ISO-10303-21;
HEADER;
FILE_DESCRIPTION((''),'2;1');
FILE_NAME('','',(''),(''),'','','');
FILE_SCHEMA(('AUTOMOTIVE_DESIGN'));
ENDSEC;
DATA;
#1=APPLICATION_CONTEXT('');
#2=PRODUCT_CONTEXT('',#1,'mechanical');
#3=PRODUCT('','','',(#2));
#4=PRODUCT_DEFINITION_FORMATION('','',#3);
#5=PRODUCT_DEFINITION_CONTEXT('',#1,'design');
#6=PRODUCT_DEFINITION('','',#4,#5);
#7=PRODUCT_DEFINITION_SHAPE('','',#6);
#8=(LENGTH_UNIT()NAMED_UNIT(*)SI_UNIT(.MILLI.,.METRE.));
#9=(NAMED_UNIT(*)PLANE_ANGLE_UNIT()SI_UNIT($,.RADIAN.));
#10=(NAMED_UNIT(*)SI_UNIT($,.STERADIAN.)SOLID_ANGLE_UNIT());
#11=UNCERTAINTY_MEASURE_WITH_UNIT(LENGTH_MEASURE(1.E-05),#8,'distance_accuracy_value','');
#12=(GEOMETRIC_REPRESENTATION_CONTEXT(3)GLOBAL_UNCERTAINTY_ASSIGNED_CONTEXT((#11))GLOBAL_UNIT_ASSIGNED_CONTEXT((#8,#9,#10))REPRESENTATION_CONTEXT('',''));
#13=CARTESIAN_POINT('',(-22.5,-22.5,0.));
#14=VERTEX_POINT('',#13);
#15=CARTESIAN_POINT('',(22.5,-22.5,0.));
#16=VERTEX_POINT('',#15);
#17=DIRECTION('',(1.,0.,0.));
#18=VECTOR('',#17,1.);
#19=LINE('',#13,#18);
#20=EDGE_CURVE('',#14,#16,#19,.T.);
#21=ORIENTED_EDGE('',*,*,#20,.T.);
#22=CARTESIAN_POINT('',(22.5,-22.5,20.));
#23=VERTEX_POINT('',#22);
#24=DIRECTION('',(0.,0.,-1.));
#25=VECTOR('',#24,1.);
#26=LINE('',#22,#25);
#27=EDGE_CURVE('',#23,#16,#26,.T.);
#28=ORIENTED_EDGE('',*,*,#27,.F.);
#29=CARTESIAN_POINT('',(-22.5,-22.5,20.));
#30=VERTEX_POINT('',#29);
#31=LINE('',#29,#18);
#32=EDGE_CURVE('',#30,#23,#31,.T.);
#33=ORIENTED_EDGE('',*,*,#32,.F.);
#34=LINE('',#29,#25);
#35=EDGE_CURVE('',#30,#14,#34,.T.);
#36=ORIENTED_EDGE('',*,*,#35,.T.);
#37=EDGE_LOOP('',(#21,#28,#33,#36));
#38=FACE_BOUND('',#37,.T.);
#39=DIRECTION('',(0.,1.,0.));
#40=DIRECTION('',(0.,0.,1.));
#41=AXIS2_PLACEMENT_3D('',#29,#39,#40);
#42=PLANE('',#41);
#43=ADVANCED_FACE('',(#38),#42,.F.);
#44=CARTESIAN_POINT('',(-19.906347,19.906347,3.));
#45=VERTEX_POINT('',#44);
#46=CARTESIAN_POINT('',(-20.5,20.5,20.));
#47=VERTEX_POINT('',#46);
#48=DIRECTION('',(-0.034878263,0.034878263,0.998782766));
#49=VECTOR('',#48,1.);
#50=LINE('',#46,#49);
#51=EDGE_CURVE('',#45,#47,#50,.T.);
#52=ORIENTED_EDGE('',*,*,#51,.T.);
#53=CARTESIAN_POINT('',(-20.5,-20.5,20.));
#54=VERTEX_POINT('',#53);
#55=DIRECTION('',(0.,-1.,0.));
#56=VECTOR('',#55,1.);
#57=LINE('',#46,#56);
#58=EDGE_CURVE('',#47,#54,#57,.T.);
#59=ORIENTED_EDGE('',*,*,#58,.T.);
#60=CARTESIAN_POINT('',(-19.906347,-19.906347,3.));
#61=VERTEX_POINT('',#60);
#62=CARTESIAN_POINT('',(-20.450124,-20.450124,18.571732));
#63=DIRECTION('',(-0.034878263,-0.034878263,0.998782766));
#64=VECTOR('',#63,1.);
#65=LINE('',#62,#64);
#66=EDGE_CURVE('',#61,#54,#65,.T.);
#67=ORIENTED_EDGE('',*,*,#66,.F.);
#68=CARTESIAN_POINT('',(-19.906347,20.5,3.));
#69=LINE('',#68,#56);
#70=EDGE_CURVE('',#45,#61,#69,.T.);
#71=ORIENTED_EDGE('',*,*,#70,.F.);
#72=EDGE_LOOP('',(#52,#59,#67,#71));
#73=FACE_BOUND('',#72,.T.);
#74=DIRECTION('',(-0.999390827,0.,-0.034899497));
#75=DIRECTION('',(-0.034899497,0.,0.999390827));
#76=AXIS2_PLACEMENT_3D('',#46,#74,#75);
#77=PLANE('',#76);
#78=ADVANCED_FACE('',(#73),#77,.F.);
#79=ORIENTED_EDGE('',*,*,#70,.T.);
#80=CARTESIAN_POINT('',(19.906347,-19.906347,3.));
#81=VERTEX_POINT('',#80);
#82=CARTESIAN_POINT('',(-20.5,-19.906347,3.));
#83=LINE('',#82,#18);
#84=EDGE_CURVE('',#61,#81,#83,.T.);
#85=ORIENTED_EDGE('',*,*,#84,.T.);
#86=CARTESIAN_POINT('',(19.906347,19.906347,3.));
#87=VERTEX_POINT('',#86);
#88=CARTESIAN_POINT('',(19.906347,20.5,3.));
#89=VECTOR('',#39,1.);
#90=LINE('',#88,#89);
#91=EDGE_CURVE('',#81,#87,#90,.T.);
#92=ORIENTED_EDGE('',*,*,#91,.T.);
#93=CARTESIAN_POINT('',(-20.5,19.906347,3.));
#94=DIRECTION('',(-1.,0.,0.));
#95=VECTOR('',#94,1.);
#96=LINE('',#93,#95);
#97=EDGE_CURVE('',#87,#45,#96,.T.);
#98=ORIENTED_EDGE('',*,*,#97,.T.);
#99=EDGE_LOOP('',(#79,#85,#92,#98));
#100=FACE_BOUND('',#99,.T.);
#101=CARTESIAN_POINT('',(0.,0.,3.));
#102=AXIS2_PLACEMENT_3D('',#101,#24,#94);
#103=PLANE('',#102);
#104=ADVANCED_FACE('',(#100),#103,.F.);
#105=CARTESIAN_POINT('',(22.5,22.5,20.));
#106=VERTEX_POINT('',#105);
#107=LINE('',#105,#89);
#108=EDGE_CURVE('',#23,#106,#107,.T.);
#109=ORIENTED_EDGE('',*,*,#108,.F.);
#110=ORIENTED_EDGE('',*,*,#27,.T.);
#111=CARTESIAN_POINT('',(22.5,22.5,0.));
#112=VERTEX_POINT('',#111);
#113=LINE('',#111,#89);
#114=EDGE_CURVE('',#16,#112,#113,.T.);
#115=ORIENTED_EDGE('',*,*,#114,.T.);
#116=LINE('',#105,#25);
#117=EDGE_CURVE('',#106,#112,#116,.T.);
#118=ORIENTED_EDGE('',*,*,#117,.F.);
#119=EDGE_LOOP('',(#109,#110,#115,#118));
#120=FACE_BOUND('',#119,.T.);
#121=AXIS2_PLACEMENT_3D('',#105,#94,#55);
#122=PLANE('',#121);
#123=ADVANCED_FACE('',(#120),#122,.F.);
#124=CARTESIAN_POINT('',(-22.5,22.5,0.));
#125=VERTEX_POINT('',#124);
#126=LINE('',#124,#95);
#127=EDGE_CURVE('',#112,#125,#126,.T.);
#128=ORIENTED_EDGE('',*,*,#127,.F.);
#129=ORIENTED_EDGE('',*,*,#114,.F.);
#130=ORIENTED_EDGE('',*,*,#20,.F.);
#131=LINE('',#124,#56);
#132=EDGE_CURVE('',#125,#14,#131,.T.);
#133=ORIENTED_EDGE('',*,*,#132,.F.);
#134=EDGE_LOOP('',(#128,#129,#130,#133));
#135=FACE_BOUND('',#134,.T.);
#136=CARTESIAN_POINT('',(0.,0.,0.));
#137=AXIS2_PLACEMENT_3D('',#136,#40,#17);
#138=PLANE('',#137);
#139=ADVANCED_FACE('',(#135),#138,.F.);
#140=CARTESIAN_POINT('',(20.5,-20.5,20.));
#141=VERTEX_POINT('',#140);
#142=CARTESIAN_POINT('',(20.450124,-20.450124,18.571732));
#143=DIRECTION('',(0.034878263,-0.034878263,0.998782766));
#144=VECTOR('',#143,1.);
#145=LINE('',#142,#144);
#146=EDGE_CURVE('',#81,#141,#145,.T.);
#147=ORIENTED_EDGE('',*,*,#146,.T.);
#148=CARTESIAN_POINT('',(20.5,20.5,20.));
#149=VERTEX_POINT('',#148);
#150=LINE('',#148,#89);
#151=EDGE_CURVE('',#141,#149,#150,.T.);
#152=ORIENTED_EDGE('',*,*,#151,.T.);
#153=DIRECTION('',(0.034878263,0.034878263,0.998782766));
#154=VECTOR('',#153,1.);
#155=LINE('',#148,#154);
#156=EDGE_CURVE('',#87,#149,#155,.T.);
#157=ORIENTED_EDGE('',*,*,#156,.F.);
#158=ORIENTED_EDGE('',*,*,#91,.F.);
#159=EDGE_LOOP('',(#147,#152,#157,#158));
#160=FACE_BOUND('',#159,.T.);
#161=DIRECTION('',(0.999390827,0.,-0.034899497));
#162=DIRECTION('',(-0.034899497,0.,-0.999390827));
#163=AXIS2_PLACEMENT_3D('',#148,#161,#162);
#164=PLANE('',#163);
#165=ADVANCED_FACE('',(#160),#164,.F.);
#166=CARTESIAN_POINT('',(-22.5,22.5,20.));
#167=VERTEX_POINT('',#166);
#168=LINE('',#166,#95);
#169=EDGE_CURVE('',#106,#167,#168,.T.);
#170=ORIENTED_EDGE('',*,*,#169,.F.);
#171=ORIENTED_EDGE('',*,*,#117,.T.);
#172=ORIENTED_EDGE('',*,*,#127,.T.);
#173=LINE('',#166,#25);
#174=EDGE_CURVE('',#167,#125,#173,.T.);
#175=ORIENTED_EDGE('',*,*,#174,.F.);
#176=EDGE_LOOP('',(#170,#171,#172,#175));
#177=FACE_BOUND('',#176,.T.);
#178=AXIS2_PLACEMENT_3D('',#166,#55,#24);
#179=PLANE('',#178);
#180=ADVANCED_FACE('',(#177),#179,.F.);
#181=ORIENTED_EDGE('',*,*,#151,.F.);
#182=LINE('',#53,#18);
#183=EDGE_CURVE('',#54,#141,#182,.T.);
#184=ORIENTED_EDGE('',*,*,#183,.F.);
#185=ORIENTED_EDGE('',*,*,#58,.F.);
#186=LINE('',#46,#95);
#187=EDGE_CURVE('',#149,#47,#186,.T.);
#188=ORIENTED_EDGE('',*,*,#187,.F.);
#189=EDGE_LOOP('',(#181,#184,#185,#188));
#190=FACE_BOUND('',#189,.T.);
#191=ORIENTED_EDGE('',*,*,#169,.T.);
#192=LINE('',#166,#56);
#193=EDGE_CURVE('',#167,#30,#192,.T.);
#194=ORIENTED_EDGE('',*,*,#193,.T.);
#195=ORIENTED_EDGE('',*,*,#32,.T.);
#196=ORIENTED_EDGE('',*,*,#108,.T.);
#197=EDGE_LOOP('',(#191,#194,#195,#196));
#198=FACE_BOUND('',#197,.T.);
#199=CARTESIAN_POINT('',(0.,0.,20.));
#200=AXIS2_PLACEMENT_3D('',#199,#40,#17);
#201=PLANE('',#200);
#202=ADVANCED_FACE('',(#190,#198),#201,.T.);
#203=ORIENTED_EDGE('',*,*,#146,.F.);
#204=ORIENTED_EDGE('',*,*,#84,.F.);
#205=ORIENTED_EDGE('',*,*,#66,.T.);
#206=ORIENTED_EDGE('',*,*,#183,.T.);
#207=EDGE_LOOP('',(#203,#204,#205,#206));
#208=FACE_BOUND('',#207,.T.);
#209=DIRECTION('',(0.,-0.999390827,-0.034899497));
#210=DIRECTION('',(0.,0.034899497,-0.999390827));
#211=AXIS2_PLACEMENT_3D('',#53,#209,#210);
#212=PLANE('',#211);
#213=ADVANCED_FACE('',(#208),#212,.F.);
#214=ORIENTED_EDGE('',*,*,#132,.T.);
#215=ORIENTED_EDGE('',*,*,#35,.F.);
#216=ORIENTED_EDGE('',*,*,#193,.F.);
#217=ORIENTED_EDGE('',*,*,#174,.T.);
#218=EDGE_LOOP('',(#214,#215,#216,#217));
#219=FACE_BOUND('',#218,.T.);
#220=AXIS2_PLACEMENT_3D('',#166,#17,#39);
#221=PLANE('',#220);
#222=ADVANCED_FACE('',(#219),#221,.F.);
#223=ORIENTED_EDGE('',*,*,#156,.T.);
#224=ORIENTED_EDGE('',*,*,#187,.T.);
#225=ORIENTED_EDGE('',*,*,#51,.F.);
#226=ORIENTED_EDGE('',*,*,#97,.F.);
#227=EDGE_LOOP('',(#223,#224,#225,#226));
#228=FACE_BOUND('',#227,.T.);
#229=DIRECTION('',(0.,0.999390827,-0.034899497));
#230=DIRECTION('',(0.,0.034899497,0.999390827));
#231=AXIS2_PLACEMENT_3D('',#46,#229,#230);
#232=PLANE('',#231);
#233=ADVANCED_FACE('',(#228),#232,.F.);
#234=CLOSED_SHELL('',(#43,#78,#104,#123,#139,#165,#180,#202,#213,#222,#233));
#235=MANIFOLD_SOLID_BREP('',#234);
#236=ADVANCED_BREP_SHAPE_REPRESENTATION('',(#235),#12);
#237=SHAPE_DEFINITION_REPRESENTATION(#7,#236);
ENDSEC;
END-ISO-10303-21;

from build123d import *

# Parameters (mm, degrees)
SKETCH_1_W          = 45
SKETCH_1_H          = 45
EXTRUDE_1_DEPTH     = 20
SKETCH_2_W          = 41
SKETCH_2_H          = 41
CUT_EXTRUDE_1_DEPTH = 17
CUT_EXTRUDE_1_DRAFT = -2


with BuildPart() as part:
    # Эскиз1 → Бобышка-Вытянуть1 (new body)
    with BuildSketch(Plane.XY):
        Rectangle(SKETCH_1_W, SKETCH_1_H)
    extrude(amount=EXTRUDE_1_DEPTH)


with BuildPart() as cut_extrude_1_tool:
    # Эскиз2 → Вырез-Вытянуть1 (with draft: the straight prism first)
    with BuildSketch(Plane.XY.offset(20)):
        Rectangle(SKETCH_2_W, SKETCH_2_H)
    extrude(amount=-CUT_EXTRUDE_1_DEPTH)
    # Вырез-Вытянуть1: the draft: its side faces are tilted about the plane it starts from
    cut_extrude_1_sides = [cut_extrude_1_tool.faces().sort_by_distance(p)[0] for p in [
        (-20.5, 0, 11.5),
        (0, -20.5, 11.5),
        (20.5, 0, 11.5),
        (0, 20.5, 11.5),
    ]]
    draft(cut_extrude_1_sides, Plane.XY.offset(20), CUT_EXTRUDE_1_DRAFT)


with BuildPart() as part_1:
    add(part.part)

    # Вырез-Вытянуть1: cut by cut_extrude_1_tool
    add(cut_extrude_1_tool.part, mode=Mode.SUBTRACT)


solid = part_1.part
